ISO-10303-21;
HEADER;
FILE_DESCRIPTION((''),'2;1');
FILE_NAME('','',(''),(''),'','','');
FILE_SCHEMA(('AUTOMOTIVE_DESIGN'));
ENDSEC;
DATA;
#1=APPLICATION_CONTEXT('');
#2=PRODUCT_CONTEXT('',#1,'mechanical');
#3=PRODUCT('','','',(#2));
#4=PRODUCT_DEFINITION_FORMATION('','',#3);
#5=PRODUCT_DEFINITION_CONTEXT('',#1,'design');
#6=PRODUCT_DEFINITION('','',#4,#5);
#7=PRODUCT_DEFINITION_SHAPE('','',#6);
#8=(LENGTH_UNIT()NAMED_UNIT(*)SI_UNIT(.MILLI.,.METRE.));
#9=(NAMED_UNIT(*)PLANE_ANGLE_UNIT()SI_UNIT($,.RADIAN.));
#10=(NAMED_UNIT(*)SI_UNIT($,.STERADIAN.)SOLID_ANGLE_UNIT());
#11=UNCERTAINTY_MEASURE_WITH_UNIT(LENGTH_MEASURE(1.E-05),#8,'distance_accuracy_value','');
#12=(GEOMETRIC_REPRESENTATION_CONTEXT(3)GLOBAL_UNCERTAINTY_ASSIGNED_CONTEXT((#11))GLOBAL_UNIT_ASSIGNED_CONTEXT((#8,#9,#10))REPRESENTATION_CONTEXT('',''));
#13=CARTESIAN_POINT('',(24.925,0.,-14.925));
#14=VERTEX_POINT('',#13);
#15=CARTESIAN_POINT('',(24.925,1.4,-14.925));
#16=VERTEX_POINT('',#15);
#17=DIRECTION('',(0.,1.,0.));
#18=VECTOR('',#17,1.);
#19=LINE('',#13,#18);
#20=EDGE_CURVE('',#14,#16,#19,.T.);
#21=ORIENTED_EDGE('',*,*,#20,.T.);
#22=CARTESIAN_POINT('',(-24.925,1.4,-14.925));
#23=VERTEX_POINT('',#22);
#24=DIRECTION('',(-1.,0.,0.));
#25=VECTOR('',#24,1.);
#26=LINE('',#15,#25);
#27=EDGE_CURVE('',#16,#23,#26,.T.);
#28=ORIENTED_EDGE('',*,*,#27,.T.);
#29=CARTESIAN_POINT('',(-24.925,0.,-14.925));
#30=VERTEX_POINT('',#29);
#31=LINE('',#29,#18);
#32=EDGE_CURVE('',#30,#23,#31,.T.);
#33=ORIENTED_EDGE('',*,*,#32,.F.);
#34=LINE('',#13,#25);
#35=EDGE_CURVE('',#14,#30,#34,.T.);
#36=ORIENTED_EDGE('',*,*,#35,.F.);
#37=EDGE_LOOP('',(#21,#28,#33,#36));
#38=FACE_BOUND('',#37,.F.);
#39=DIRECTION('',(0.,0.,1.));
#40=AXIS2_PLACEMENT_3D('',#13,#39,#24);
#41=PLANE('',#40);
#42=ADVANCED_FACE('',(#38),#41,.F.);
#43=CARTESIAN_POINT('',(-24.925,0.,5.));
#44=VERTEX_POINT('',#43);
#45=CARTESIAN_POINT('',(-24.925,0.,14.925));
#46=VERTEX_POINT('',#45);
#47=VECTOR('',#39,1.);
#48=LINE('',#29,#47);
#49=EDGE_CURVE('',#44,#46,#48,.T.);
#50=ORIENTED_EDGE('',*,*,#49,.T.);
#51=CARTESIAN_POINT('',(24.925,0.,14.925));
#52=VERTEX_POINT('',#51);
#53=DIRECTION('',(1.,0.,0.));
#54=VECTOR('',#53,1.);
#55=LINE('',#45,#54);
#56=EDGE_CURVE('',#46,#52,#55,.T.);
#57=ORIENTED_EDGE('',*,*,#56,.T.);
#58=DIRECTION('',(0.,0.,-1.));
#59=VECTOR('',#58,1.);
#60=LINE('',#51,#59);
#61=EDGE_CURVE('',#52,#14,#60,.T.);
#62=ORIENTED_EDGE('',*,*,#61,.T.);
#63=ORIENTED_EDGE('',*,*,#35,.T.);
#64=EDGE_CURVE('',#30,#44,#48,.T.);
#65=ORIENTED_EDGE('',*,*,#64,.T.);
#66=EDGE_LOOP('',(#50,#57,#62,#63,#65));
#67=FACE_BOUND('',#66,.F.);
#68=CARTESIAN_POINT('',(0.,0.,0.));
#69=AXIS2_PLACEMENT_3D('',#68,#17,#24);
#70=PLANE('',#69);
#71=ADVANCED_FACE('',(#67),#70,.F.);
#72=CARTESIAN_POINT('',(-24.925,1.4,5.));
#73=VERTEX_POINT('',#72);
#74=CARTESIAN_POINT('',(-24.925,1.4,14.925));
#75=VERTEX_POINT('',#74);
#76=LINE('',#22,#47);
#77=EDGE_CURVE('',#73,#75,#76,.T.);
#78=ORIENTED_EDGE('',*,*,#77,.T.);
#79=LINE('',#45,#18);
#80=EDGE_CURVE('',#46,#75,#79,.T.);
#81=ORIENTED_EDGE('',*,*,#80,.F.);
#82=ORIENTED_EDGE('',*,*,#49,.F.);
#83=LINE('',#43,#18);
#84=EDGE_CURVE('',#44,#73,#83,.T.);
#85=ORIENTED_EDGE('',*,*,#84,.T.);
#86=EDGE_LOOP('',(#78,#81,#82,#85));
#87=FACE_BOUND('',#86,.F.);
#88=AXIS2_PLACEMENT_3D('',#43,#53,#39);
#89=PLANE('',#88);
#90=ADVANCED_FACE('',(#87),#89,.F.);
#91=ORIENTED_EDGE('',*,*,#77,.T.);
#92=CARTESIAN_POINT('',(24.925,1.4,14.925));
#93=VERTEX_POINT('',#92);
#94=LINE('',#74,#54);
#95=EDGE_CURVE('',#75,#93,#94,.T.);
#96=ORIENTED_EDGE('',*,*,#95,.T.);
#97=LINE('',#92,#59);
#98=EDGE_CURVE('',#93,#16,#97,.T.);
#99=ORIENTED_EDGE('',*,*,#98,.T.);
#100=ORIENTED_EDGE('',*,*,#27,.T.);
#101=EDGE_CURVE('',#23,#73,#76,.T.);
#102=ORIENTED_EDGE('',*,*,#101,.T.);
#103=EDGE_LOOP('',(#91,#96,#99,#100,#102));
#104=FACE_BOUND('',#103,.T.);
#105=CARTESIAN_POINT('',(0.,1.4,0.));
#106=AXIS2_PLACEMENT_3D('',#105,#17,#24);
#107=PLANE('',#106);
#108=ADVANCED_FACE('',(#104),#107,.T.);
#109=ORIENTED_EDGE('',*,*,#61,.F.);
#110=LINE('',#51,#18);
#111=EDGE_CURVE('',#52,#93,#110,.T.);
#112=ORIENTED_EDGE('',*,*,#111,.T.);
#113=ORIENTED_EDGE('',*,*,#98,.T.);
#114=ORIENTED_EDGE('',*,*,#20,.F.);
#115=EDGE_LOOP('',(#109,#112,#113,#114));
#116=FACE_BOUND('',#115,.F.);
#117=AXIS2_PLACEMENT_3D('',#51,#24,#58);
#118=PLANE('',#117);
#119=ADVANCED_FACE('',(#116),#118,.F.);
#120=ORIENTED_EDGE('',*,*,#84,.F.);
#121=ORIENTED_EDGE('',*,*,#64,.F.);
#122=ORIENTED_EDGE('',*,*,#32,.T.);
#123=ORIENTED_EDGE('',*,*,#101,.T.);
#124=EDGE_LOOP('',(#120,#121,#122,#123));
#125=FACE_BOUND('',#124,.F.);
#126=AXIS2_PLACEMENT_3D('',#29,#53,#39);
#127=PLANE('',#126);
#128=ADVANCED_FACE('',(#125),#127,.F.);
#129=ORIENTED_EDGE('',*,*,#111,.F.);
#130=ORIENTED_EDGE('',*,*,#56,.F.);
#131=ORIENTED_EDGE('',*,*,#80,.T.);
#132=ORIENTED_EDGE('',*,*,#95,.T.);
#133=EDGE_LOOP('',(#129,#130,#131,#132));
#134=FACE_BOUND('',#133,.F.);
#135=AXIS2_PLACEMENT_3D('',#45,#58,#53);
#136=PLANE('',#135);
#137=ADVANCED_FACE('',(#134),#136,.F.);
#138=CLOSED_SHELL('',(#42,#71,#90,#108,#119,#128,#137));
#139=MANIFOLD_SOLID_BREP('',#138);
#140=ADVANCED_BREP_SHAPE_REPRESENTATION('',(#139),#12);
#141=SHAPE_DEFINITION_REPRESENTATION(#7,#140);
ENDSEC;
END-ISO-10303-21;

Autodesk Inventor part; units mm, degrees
ref_plane "YZ Plane" through (0, 0, 0) normal (1, 0, 0) x (0, 1, 0)
ref_plane "XZ Plane" through (0, 0, 0) normal (0, 1, 0) x (-1, 0, 0)
sketch "Sketch1" plane through (0, 0, 0) normal (0, 1, 0) x (-1, 0, 0)
  line L0 (24.925, 14.925) -> (-24.925, 14.925)
  line L1 (-24.925, 14.925) -> (-24.925, -14.925)
  line L2 (-24.925, -14.925) -> (24.925, -14.925)
  line L3 (24.925, 14.925) -> (-24.925, -14.925) construction
  line L4 (-24.925, 14.925) -> (24.925, -14.925) construction
  line L5 (24.925, -14.925) -> (24.925, 14.925)
  line L6 (24.925, 5) -> (24.925, 14.925)
  point P0 (0, 0)
  dimension "d0" = 49.85
  dimension "d1" = 29.85
extrude "Extrusion1" add sketch "Sketch1" along normal blind 1.4
sketch "Sketch2" plane through (0, 0, 0) normal (0, -1, 0) x (1, 0, 0)
  point P0 (0, 0)
sketch "Sketch3" plane through (-24.925, 0, -14.925) normal (-1, 0, 0) x (0, 0, 1)
  point P0 (14.925, 0)
ref_plane "Work Plane1" through (0, 0, 0) normal (0, 1, 0) x (-1, 0, 0)
sketch "Sketch5" plane through (0, 0, 0) normal (0, 1, 0) x (-1, 0, 0)
  line L0 (-24.925, 14.925) -> (24.925, 14.925) projected
  line L1 (24.925, -14.925) -> (-24.925, -14.925) projected
  line L2 (24.925, 14.925) -> (24.925, -14.925) projected
  line L3 (-19.3821, 7.7039) -> (19.3821, 7.7039) construction
  line L4 (19.3821, 7.7039) -> (19.3821, -7.7039) construction
  line L5 (19.3821, -7.7039) -> (-19.3821, -7.7039) construction
  line L6 (-19.3821, -7.7039) -> (-19.3821, 7.7039) construction
  line L7 (-24.925, -14.925) -> (-24.925, 14.925) projected
  point P0 (0, 0)
  dimension "d13" = 29.85
  dimension "d14" = 49.85
  dimension "d16" = 38.7641
  dimension "d17" = 15.4078
  dimension "d18" = 7.2211
  dimension "d22" = 5.5429
sketch "Sketch6" plane through (0, 0, 0) normal (0, -1, 0) x (1, 0, 0)
  line L0 (-24.925, 14.925) -> (-24.925, -14.925) projected
  line L1 (24.925, 14.925) -> (-24.925, 14.925) projected
  line L2 (24.925, -14.925) -> (24.925, 14.925) projected
  line L3 (-24.925, -14.925) -> (24.925, -14.925) projected
  line L4 (-22.925, 10.925) -> (-22.925, -10.925)
  line L5 (-20.925, -12.925) -> (20.925, -12.925)
  line L6 (22.925, -10.925) -> (22.925, 10.925)
  line L7 (20.925, 12.925) -> (-20.925, 12.925)
  arc A0 (-20.925, 12.925) -> (-22.925, 10.925) centre (-20.925, 10.925) ccw
  arc A1 (-22.925, -10.925) -> (-20.925, -12.925) centre (-20.925, -10.925) ccw
  arc A2 (20.925, -12.925) -> (22.925, -10.925) centre (20.925, -10.925) ccw
  arc A3 (22.925, 10.925) -> (20.925, 12.925) centre (20.925, 10.925) ccw
  line L8 (-20.925, 12.525) -> (20.925, 12.525)
  arc A4 (22.525, 10.925) -> (20.925, 12.525) centre (20.925, 10.925) ccw
  line L9 (22.525, 10.925) -> (22.525, -10.925)
  arc A5 (20.925, -12.525) -> (22.525, -10.925) centre (20.925, -10.925) ccw
  line L10 (20.925, -12.525) -> (-20.925, -12.525)
  arc A6 (-22.525, -10.925) -> (-20.925, -12.525) centre (-20.925, -10.925) ccw
  line L11 (-22.525, -10.925) -> (-22.525, 10.925)
  arc A7 (-20.925, 12.525) -> (-22.525, 10.925) centre (-20.925, 10.925) ccw
  point P0 (0, 0)
  dimension "d23" = 2
  dimension "d24" = 2
  dimension "d25" = 0.4
equation "\"d18\" = 0.5 * d13 - 0.5 * d17"
equation "\"d22\" = 0.5 * d14 - 0.5 * d16"
properties part number "stamp5x3_empty" material "PET Plastic"
